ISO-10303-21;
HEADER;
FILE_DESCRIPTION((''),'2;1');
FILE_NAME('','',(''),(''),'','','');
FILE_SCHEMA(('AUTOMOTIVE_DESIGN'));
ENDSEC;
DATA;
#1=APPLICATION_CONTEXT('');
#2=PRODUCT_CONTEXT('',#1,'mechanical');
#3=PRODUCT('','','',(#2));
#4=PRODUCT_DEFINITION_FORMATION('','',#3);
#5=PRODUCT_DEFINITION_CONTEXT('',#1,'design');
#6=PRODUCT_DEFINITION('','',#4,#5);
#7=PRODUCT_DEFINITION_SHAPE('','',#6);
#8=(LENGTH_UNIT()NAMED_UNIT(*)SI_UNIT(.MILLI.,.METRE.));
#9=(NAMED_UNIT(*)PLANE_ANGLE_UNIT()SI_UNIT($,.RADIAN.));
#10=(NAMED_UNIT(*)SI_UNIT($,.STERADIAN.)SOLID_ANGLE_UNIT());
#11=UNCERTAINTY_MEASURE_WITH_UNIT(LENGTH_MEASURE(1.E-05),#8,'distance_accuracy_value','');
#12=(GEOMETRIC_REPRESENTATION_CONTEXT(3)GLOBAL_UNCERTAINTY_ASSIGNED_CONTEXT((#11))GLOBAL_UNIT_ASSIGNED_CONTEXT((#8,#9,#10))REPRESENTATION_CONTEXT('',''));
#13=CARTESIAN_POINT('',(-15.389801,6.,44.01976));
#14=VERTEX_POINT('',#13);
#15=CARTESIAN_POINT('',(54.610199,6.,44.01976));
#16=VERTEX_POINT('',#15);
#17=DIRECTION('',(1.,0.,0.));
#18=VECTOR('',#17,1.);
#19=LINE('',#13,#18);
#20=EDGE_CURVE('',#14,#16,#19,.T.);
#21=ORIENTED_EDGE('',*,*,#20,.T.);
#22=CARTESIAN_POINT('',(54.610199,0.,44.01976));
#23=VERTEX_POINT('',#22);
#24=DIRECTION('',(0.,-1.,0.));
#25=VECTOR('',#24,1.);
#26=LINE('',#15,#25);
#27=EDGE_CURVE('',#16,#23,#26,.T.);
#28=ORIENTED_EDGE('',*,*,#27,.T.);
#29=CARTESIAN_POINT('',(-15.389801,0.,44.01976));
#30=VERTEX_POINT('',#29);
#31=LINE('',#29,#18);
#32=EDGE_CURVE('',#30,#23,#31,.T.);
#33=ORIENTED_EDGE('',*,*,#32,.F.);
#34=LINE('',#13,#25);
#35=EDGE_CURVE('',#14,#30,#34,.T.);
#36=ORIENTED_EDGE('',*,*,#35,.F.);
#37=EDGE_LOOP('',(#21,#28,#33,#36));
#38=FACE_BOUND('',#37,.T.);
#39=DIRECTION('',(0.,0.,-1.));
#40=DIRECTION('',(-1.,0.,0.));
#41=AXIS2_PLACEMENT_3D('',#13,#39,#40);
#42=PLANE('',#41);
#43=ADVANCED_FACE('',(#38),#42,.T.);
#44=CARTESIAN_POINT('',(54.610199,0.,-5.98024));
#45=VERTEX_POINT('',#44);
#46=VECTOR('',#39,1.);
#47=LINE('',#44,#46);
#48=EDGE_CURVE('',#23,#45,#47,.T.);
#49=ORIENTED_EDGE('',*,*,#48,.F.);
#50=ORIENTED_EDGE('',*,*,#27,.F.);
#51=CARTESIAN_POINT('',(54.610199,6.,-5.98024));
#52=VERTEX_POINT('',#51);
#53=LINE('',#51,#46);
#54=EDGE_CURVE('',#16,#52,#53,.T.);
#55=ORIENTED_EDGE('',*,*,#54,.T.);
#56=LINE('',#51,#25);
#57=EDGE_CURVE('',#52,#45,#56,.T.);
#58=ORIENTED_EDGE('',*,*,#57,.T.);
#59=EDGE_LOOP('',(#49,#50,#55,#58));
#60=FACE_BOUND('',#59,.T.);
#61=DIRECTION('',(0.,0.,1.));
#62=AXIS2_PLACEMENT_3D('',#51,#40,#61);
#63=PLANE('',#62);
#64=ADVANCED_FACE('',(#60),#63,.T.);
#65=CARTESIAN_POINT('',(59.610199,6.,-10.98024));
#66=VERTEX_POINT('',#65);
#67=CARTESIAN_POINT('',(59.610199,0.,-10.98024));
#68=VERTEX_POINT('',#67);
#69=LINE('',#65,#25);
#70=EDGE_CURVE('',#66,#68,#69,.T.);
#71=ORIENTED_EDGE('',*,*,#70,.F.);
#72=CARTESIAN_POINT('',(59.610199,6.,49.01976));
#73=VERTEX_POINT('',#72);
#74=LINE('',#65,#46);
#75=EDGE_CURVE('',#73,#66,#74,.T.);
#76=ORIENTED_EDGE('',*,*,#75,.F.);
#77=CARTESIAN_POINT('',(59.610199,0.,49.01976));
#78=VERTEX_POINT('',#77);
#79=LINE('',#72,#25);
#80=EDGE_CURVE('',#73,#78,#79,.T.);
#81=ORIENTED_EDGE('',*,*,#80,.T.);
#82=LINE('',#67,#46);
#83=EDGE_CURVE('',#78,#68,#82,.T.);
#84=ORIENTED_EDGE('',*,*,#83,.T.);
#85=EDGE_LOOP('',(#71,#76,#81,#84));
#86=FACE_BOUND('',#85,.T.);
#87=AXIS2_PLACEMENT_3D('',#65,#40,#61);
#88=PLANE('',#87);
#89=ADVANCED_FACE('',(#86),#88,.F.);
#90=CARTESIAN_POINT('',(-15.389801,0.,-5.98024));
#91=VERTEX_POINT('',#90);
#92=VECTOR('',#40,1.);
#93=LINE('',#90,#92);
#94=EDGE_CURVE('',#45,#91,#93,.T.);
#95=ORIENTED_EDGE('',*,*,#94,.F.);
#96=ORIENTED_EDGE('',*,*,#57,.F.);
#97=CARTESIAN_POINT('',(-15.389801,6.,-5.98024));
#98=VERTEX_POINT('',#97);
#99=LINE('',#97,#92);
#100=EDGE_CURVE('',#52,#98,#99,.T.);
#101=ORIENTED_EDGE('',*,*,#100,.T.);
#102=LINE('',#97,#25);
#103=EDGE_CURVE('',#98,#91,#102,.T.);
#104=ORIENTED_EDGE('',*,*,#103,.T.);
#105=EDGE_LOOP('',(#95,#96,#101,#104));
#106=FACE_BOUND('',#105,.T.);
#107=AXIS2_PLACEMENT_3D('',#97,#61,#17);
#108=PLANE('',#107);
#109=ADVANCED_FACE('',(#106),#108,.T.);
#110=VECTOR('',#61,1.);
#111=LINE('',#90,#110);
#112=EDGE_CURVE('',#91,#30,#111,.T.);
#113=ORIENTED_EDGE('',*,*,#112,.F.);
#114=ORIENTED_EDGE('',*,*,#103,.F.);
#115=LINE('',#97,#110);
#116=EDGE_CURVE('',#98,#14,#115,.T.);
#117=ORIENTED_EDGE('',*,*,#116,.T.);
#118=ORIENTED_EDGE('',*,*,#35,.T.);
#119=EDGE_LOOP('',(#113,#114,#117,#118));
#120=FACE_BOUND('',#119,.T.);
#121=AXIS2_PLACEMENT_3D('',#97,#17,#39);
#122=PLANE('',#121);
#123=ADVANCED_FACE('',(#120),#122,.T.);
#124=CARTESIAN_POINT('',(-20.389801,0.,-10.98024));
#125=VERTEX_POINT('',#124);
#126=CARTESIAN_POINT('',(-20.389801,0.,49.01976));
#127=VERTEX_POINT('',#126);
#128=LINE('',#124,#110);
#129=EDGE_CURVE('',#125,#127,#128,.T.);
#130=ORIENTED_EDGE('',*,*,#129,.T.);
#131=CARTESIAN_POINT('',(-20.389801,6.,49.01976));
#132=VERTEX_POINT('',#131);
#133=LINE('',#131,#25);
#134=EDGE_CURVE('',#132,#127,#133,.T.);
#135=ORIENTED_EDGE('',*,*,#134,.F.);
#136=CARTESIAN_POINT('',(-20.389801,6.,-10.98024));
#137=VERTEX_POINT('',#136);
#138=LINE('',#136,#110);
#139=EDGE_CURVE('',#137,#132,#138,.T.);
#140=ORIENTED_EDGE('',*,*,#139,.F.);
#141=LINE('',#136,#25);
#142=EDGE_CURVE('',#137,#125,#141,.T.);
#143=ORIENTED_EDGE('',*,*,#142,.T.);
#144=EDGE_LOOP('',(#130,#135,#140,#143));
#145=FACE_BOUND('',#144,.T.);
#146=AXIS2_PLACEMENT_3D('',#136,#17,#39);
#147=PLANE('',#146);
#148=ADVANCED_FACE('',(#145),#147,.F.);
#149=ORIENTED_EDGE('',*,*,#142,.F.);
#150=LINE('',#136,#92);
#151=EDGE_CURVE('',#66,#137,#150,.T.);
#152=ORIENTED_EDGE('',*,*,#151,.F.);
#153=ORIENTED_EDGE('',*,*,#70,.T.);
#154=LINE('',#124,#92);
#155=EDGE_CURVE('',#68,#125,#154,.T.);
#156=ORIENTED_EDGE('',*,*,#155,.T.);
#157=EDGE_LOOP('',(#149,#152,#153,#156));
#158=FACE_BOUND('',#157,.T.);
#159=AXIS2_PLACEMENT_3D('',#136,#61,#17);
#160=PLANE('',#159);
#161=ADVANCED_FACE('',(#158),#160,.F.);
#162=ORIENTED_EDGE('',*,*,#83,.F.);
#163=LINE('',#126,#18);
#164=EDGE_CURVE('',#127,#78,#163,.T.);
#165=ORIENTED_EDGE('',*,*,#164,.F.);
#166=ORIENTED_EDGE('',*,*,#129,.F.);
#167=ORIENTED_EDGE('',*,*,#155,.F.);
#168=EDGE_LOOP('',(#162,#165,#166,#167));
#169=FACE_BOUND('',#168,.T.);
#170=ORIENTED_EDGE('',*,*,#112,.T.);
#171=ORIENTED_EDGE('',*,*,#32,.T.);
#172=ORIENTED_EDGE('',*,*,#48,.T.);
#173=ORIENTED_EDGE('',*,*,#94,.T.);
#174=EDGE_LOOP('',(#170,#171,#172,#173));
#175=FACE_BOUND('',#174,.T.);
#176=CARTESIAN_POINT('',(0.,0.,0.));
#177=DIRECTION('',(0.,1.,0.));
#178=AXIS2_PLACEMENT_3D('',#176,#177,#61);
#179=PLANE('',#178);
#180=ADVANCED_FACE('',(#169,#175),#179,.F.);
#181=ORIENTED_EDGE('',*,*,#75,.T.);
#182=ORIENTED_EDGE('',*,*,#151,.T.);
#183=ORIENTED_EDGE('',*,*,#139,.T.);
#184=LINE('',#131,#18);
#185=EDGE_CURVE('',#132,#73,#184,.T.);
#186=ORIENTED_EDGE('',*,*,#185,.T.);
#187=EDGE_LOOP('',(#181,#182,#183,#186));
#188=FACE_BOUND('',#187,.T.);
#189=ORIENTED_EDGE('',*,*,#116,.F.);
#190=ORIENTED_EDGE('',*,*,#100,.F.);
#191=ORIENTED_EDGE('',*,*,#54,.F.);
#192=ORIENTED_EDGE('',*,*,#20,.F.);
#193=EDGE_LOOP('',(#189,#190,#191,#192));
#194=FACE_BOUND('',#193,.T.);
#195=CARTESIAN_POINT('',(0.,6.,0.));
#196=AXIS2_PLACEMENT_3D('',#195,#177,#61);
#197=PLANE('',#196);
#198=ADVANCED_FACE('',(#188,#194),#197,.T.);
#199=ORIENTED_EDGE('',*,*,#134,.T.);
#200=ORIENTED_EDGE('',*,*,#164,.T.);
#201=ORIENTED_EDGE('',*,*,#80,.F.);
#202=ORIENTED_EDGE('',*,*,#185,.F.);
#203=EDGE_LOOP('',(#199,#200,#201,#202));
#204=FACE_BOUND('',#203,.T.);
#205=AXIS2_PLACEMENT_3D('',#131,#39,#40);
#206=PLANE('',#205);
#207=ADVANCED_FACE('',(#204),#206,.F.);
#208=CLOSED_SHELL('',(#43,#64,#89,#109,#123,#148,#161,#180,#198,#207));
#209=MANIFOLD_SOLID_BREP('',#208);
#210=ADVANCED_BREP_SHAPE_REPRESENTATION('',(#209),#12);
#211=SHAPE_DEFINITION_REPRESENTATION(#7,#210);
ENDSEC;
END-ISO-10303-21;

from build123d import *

# Parameters (mm, degrees)
SKETCH1_W           = 80
SKETCH1_H           = 60
SKETCH1_W_2         = 70
SKETCH1_H_2         = 50
BOSS_EXTRUDE1_DEPTH = 6


with BuildPart() as part:
    # Sketch1 → Boss-Extrude1 (new body)
    with BuildSketch(Plane(origin=(0, 0, 0), x_dir=(1, 0, 0), z_dir=(0, 1, 0))):
        with Locations((19.610198832, -19.019760054)):
            Rectangle(SKETCH1_W, SKETCH1_H)
        with Locations((19.610198832, -19.019760054)):
            Rectangle(SKETCH1_W_2, SKETCH1_H_2, mode=Mode.SUBTRACT)
    extrude(amount=BOSS_EXTRUDE1_DEPTH)


solid = part.part
